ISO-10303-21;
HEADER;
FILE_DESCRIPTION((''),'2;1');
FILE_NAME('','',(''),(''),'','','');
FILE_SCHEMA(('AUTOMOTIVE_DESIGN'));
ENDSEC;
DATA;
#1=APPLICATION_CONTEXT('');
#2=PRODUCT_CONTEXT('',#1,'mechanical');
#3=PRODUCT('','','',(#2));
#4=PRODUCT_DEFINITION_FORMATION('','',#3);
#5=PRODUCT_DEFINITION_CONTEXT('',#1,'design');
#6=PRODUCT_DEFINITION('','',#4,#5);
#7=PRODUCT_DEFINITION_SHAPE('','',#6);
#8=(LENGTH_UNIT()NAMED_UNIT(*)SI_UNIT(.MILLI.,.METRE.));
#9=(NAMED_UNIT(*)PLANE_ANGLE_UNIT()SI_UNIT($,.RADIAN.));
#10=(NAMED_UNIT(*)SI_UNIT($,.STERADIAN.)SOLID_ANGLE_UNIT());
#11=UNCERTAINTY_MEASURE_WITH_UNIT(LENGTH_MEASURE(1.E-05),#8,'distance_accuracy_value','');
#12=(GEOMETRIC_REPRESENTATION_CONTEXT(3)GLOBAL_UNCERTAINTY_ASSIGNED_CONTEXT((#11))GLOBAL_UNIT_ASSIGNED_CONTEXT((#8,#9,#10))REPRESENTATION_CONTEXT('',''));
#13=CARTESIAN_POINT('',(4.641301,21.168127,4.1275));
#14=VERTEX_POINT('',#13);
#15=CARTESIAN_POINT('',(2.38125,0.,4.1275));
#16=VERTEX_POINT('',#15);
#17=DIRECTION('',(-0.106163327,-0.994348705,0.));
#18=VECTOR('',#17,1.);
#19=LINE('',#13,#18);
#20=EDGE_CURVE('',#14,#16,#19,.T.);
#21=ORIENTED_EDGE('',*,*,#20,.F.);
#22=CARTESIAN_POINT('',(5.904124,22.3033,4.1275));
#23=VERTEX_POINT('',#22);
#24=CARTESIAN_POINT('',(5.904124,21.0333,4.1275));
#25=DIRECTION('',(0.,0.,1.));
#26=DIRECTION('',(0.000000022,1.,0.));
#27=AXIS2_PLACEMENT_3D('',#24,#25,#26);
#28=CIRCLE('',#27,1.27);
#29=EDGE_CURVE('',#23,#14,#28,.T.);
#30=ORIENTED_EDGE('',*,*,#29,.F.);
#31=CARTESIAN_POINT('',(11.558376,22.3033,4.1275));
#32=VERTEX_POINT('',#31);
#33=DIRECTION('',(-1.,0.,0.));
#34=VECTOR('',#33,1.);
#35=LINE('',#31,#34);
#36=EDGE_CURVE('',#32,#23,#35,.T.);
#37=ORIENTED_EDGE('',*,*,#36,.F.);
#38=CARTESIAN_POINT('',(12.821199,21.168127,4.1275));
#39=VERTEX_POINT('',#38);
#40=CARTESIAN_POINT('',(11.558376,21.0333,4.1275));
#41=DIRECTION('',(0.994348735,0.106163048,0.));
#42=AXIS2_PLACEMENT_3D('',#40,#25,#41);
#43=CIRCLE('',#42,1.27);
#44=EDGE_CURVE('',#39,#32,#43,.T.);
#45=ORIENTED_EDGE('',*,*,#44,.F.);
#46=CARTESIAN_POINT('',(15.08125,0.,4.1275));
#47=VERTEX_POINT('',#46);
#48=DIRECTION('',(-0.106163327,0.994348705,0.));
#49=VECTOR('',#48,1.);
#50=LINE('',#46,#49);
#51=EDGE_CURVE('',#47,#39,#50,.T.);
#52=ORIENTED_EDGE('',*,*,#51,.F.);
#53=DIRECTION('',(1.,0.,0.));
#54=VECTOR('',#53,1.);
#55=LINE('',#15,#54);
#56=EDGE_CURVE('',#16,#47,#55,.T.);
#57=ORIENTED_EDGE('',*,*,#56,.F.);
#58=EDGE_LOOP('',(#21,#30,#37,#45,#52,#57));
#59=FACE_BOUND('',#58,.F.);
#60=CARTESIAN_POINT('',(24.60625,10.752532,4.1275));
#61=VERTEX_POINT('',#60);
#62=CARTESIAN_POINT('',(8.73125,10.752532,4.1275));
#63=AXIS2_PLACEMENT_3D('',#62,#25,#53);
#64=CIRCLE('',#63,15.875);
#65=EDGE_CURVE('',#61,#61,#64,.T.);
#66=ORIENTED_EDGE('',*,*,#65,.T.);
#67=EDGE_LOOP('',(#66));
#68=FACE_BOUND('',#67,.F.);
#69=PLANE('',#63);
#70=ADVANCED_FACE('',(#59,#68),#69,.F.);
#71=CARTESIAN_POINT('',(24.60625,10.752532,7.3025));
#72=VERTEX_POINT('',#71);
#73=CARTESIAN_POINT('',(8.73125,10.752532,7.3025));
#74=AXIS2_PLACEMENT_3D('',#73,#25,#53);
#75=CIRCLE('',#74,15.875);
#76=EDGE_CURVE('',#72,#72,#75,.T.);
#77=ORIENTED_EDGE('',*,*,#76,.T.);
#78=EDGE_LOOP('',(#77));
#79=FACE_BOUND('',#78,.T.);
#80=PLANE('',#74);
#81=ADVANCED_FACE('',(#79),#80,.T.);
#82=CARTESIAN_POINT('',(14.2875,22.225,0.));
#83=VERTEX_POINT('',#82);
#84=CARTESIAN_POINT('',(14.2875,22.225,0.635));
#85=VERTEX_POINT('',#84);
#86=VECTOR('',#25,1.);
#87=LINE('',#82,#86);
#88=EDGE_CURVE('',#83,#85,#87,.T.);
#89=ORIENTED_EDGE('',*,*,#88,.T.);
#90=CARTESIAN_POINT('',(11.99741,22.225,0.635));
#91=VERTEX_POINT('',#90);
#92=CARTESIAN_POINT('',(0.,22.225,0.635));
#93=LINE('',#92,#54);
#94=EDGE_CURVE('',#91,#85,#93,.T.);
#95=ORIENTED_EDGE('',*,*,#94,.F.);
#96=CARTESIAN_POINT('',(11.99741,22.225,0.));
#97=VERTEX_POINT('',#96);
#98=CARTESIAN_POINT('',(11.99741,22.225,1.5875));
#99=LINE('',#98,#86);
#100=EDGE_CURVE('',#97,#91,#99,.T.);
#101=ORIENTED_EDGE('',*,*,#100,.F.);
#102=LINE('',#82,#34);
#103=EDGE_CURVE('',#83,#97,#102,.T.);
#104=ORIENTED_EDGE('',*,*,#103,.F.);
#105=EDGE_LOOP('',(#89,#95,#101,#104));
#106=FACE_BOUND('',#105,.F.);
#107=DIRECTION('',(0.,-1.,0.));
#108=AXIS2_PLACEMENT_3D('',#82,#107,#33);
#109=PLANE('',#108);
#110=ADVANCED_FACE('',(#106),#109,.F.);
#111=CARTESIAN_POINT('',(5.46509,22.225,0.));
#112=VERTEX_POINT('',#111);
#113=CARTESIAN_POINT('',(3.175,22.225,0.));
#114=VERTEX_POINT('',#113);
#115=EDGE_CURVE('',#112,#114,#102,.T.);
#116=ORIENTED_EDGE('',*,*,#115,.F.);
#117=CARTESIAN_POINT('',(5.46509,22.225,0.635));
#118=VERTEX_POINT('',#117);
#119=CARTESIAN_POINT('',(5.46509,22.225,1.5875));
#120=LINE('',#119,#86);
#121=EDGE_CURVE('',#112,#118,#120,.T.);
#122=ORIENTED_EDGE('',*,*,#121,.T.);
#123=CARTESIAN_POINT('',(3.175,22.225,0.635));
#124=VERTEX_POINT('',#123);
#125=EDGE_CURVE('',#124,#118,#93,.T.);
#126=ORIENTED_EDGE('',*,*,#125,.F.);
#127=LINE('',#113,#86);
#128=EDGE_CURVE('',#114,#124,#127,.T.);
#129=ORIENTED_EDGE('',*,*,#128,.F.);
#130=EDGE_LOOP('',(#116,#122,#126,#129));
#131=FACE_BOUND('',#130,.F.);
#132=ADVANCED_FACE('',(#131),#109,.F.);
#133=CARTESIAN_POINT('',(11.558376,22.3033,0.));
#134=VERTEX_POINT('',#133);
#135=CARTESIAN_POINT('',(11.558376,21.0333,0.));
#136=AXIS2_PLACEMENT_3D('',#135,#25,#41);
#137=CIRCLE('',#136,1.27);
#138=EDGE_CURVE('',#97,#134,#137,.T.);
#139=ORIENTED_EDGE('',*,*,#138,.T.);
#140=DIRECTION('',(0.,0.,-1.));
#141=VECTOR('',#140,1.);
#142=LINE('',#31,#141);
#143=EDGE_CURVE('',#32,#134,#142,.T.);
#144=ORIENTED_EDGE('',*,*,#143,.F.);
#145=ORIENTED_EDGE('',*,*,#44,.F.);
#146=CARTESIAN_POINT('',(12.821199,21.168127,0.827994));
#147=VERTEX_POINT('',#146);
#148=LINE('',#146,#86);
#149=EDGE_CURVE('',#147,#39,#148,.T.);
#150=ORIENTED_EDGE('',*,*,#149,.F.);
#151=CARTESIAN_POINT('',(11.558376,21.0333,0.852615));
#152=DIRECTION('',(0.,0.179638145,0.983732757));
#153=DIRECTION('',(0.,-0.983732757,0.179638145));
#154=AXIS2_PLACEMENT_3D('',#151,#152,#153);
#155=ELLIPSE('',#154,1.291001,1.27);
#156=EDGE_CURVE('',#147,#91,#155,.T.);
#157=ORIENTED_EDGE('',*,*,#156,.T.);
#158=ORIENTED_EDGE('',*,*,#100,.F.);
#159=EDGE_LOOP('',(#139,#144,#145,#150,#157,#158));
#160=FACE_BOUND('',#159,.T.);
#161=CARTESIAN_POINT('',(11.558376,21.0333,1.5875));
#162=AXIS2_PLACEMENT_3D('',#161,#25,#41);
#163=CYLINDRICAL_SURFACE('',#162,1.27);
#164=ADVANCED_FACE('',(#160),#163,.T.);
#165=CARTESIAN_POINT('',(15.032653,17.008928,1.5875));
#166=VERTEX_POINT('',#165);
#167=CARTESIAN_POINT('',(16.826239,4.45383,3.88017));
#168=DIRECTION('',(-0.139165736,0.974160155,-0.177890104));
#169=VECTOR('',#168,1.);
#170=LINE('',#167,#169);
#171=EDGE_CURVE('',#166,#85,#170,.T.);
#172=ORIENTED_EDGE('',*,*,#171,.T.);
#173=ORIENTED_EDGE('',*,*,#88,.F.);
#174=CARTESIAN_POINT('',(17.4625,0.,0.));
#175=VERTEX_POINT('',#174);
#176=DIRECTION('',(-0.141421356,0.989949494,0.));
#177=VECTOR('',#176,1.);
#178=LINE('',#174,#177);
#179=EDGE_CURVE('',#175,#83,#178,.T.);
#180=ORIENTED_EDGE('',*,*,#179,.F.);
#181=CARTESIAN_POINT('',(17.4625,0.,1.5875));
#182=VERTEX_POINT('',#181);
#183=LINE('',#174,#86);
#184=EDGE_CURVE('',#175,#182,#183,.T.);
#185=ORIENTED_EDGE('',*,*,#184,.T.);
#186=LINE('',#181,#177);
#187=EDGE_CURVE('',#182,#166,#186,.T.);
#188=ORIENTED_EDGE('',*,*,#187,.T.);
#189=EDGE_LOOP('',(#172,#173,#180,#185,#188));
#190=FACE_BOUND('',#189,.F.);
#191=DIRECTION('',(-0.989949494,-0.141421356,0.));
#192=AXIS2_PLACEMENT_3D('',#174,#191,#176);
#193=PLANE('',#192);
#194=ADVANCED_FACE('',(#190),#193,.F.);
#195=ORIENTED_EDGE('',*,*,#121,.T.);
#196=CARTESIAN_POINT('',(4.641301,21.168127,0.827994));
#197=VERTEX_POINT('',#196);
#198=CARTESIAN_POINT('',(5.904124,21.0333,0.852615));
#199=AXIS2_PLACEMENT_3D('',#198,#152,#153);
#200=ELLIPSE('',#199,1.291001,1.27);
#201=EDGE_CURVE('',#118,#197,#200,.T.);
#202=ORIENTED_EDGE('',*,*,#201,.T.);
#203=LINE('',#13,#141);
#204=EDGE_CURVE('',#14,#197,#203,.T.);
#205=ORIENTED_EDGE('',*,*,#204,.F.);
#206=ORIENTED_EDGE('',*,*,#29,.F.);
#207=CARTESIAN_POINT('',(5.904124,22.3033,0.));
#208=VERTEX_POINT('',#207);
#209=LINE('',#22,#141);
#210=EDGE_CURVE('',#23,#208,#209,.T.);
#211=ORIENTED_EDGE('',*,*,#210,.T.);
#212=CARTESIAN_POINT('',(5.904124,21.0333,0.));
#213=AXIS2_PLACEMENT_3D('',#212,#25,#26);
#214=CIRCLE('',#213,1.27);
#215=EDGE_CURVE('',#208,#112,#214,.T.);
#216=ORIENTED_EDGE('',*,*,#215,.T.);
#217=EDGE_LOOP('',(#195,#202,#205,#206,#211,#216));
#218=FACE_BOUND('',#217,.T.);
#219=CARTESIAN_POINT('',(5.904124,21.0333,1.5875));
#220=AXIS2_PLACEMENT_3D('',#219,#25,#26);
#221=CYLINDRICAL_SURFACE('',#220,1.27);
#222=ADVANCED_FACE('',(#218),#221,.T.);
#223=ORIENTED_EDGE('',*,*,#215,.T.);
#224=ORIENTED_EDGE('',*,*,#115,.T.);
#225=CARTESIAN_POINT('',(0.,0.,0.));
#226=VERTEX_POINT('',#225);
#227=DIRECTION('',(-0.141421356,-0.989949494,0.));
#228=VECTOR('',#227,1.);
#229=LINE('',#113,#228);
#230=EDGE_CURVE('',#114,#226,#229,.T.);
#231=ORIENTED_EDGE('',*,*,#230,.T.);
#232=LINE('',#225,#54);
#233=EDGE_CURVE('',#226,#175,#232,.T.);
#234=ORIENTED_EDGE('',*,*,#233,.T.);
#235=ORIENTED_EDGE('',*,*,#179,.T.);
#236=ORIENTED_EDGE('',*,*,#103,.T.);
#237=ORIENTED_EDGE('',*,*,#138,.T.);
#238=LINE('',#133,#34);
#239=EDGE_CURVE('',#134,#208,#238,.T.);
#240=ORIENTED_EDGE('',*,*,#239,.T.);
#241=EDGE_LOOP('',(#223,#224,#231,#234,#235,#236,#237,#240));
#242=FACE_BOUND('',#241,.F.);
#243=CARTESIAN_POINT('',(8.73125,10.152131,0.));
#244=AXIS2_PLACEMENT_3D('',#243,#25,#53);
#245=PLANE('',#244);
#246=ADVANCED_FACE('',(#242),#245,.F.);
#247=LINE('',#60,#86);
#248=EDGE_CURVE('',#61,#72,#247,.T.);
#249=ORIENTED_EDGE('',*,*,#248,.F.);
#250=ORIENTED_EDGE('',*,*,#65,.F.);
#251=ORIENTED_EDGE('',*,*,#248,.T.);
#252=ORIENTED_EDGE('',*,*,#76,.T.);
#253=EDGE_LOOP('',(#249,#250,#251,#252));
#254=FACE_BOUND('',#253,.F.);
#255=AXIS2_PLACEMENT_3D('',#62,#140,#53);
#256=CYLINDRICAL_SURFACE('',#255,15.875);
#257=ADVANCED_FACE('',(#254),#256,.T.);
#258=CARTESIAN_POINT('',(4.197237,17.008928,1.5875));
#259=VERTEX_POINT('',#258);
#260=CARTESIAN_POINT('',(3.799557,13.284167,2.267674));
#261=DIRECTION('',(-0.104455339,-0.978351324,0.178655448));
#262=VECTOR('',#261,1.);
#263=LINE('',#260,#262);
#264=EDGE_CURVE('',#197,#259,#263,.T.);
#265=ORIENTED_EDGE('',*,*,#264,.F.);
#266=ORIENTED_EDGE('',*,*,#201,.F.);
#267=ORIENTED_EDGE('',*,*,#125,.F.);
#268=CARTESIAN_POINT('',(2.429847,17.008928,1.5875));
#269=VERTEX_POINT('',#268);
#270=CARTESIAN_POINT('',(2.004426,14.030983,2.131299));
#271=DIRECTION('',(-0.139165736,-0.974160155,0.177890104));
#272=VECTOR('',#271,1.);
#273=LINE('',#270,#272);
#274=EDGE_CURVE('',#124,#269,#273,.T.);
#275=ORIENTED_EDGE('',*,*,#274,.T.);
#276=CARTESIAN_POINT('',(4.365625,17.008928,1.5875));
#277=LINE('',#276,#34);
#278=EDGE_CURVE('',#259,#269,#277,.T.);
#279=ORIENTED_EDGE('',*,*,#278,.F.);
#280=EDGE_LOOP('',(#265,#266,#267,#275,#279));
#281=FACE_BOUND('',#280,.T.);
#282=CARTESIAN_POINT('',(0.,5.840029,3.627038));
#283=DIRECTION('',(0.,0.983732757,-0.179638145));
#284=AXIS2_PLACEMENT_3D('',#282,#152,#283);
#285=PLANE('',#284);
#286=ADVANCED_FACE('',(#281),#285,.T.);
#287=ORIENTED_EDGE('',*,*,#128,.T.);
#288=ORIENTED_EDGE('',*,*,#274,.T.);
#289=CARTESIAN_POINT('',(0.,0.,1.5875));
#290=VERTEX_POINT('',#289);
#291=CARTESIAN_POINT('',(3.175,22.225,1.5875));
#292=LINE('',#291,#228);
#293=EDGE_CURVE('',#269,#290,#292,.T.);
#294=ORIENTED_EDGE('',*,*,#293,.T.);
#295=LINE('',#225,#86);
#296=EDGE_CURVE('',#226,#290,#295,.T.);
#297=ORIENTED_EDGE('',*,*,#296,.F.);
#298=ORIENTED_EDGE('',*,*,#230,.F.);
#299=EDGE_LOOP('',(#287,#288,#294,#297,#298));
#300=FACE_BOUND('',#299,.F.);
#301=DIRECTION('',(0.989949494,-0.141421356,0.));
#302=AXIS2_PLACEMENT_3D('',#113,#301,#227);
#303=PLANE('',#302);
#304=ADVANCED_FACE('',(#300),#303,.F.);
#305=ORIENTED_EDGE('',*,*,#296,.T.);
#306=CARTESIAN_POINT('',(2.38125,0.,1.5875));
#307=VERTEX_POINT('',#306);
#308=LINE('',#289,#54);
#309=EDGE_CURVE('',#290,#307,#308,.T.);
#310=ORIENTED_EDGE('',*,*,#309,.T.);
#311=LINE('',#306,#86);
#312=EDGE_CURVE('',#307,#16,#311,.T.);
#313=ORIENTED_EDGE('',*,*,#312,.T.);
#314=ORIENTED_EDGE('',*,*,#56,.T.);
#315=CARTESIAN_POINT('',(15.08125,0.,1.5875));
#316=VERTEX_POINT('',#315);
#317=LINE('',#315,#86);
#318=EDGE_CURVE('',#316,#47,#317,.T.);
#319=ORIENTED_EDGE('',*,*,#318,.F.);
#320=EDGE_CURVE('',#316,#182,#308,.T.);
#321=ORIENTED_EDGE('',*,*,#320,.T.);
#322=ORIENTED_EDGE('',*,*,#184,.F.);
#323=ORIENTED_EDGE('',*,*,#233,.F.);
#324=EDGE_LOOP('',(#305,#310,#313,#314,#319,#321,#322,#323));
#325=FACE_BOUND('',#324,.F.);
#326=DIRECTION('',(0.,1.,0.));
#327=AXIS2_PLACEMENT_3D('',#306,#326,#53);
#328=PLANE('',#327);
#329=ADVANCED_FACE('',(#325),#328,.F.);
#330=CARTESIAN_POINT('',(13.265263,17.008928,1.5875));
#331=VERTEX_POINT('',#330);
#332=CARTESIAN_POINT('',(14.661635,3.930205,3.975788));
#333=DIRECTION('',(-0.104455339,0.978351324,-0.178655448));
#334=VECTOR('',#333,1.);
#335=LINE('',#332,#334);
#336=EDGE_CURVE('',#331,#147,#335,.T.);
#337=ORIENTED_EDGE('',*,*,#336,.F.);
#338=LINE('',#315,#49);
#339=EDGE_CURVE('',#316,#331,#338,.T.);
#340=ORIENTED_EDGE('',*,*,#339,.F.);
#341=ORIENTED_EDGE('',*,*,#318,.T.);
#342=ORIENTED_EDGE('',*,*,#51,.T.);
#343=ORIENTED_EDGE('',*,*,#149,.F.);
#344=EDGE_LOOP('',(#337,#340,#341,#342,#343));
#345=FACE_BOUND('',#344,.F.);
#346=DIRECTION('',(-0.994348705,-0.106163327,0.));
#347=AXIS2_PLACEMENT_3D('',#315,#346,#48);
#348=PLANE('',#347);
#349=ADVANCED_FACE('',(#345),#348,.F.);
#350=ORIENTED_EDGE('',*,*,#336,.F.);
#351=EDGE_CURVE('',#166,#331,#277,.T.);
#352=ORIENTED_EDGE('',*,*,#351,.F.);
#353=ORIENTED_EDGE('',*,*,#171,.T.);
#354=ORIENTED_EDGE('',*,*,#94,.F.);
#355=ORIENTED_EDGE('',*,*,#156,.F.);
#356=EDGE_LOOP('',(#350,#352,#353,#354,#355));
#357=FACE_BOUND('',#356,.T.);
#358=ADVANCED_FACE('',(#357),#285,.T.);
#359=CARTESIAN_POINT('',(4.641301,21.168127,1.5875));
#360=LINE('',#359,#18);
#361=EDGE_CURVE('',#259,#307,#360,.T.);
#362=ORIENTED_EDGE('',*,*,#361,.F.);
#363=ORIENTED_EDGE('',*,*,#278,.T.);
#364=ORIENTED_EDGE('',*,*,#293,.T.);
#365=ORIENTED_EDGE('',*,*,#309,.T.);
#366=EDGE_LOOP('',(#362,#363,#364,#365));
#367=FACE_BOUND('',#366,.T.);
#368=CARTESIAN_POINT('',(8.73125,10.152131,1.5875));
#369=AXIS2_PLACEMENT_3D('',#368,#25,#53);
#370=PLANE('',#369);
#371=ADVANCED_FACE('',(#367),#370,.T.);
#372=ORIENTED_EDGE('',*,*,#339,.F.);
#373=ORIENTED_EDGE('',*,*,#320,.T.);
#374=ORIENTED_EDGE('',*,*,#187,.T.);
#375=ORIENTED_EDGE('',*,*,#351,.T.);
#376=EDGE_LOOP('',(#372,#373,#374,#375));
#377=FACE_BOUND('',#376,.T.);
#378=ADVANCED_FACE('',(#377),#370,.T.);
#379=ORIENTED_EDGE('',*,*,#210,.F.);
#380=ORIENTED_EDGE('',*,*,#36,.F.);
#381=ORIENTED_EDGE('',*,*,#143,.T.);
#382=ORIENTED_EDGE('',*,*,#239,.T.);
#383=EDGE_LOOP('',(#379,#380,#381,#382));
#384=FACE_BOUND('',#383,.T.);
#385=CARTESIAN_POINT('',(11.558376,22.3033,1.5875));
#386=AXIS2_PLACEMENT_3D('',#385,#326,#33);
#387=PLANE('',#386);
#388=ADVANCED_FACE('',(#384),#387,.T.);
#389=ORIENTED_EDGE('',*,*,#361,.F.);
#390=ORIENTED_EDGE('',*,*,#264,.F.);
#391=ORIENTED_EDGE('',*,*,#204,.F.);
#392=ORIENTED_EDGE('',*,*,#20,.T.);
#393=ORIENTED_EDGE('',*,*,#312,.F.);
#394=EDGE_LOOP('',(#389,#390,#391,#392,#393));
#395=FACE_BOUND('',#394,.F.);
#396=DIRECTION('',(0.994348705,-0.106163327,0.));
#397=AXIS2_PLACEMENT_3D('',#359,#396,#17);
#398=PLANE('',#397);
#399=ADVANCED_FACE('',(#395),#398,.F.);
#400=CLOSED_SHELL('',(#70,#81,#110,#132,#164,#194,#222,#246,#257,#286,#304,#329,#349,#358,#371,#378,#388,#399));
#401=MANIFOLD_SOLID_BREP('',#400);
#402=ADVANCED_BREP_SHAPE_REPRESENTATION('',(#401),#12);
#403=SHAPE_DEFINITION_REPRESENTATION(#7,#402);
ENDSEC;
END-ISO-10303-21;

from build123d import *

# Parameters (mm, degrees)
F1_DEPTH      = 1.5875
F3_DEPTH      = 17.4635
F5_DEPTH      = 2.54
F5_DEPTH_BACK = 1.5875
F6_R          = 15.875
F7_DEPTH      = 3.175


with BuildPart() as f1:
    # F0 (on Top) → F1 (new body)
    with BuildSketch(Plane.XY):
        Polygon((3.175, 22.225), (0, 0), (17.4625, 0), (14.2875, 22.225), (8.73125, 22.225), align=None)
    extrude(amount=F1_DEPTH)

    # F2 (on Right) → F3 (cut, through all)
    with BuildSketch(Plane.YZ):
        Polygon((5.840029, 3.627038), (22.225, 0.635), (22.723673, 7.972618), (5.840029, 7.972618), align=None)
    extrude(amount=F3_DEPTH, mode=Mode.SUBTRACT)

    # F4 (on face) → F5 (join, two sides)
    with BuildSketch(Plane.XY.offset(1.5875)) as f5_sk:
        with BuildLine():
            Line((2.38125, 0), (8.73125, 0))
            Line((8.73125, 0), (15.08125, 0))
            Line((15.08125, 0), (12.821199, 21.168127))
            ThreePointArc((12.821199, 21.168127), (12.407396, 21.977792), (11.558376, 22.3033))
            Line((11.558376, 22.3033), (8.73125, 22.3033))
            Line((8.73125, 22.3033), (5.904124, 22.3033))
            ThreePointArc((5.904124, 22.3033), (5.055104, 21.977792), (4.641301, 21.168127))
            Line((4.641301, 21.168127), (2.38125, 0))
        make_face()
    extrude(amount=F5_DEPTH)
    extrude(f5_sk.sketch, amount=-F5_DEPTH_BACK)

    # F6 (on face) → F7 (join)
    with BuildSketch(Plane.XY.offset(4.1275)):
        with Locations((8.73125, 10.752532)):
            Circle(F6_R)
    extrude(amount=F7_DEPTH)


solid = f1.part
